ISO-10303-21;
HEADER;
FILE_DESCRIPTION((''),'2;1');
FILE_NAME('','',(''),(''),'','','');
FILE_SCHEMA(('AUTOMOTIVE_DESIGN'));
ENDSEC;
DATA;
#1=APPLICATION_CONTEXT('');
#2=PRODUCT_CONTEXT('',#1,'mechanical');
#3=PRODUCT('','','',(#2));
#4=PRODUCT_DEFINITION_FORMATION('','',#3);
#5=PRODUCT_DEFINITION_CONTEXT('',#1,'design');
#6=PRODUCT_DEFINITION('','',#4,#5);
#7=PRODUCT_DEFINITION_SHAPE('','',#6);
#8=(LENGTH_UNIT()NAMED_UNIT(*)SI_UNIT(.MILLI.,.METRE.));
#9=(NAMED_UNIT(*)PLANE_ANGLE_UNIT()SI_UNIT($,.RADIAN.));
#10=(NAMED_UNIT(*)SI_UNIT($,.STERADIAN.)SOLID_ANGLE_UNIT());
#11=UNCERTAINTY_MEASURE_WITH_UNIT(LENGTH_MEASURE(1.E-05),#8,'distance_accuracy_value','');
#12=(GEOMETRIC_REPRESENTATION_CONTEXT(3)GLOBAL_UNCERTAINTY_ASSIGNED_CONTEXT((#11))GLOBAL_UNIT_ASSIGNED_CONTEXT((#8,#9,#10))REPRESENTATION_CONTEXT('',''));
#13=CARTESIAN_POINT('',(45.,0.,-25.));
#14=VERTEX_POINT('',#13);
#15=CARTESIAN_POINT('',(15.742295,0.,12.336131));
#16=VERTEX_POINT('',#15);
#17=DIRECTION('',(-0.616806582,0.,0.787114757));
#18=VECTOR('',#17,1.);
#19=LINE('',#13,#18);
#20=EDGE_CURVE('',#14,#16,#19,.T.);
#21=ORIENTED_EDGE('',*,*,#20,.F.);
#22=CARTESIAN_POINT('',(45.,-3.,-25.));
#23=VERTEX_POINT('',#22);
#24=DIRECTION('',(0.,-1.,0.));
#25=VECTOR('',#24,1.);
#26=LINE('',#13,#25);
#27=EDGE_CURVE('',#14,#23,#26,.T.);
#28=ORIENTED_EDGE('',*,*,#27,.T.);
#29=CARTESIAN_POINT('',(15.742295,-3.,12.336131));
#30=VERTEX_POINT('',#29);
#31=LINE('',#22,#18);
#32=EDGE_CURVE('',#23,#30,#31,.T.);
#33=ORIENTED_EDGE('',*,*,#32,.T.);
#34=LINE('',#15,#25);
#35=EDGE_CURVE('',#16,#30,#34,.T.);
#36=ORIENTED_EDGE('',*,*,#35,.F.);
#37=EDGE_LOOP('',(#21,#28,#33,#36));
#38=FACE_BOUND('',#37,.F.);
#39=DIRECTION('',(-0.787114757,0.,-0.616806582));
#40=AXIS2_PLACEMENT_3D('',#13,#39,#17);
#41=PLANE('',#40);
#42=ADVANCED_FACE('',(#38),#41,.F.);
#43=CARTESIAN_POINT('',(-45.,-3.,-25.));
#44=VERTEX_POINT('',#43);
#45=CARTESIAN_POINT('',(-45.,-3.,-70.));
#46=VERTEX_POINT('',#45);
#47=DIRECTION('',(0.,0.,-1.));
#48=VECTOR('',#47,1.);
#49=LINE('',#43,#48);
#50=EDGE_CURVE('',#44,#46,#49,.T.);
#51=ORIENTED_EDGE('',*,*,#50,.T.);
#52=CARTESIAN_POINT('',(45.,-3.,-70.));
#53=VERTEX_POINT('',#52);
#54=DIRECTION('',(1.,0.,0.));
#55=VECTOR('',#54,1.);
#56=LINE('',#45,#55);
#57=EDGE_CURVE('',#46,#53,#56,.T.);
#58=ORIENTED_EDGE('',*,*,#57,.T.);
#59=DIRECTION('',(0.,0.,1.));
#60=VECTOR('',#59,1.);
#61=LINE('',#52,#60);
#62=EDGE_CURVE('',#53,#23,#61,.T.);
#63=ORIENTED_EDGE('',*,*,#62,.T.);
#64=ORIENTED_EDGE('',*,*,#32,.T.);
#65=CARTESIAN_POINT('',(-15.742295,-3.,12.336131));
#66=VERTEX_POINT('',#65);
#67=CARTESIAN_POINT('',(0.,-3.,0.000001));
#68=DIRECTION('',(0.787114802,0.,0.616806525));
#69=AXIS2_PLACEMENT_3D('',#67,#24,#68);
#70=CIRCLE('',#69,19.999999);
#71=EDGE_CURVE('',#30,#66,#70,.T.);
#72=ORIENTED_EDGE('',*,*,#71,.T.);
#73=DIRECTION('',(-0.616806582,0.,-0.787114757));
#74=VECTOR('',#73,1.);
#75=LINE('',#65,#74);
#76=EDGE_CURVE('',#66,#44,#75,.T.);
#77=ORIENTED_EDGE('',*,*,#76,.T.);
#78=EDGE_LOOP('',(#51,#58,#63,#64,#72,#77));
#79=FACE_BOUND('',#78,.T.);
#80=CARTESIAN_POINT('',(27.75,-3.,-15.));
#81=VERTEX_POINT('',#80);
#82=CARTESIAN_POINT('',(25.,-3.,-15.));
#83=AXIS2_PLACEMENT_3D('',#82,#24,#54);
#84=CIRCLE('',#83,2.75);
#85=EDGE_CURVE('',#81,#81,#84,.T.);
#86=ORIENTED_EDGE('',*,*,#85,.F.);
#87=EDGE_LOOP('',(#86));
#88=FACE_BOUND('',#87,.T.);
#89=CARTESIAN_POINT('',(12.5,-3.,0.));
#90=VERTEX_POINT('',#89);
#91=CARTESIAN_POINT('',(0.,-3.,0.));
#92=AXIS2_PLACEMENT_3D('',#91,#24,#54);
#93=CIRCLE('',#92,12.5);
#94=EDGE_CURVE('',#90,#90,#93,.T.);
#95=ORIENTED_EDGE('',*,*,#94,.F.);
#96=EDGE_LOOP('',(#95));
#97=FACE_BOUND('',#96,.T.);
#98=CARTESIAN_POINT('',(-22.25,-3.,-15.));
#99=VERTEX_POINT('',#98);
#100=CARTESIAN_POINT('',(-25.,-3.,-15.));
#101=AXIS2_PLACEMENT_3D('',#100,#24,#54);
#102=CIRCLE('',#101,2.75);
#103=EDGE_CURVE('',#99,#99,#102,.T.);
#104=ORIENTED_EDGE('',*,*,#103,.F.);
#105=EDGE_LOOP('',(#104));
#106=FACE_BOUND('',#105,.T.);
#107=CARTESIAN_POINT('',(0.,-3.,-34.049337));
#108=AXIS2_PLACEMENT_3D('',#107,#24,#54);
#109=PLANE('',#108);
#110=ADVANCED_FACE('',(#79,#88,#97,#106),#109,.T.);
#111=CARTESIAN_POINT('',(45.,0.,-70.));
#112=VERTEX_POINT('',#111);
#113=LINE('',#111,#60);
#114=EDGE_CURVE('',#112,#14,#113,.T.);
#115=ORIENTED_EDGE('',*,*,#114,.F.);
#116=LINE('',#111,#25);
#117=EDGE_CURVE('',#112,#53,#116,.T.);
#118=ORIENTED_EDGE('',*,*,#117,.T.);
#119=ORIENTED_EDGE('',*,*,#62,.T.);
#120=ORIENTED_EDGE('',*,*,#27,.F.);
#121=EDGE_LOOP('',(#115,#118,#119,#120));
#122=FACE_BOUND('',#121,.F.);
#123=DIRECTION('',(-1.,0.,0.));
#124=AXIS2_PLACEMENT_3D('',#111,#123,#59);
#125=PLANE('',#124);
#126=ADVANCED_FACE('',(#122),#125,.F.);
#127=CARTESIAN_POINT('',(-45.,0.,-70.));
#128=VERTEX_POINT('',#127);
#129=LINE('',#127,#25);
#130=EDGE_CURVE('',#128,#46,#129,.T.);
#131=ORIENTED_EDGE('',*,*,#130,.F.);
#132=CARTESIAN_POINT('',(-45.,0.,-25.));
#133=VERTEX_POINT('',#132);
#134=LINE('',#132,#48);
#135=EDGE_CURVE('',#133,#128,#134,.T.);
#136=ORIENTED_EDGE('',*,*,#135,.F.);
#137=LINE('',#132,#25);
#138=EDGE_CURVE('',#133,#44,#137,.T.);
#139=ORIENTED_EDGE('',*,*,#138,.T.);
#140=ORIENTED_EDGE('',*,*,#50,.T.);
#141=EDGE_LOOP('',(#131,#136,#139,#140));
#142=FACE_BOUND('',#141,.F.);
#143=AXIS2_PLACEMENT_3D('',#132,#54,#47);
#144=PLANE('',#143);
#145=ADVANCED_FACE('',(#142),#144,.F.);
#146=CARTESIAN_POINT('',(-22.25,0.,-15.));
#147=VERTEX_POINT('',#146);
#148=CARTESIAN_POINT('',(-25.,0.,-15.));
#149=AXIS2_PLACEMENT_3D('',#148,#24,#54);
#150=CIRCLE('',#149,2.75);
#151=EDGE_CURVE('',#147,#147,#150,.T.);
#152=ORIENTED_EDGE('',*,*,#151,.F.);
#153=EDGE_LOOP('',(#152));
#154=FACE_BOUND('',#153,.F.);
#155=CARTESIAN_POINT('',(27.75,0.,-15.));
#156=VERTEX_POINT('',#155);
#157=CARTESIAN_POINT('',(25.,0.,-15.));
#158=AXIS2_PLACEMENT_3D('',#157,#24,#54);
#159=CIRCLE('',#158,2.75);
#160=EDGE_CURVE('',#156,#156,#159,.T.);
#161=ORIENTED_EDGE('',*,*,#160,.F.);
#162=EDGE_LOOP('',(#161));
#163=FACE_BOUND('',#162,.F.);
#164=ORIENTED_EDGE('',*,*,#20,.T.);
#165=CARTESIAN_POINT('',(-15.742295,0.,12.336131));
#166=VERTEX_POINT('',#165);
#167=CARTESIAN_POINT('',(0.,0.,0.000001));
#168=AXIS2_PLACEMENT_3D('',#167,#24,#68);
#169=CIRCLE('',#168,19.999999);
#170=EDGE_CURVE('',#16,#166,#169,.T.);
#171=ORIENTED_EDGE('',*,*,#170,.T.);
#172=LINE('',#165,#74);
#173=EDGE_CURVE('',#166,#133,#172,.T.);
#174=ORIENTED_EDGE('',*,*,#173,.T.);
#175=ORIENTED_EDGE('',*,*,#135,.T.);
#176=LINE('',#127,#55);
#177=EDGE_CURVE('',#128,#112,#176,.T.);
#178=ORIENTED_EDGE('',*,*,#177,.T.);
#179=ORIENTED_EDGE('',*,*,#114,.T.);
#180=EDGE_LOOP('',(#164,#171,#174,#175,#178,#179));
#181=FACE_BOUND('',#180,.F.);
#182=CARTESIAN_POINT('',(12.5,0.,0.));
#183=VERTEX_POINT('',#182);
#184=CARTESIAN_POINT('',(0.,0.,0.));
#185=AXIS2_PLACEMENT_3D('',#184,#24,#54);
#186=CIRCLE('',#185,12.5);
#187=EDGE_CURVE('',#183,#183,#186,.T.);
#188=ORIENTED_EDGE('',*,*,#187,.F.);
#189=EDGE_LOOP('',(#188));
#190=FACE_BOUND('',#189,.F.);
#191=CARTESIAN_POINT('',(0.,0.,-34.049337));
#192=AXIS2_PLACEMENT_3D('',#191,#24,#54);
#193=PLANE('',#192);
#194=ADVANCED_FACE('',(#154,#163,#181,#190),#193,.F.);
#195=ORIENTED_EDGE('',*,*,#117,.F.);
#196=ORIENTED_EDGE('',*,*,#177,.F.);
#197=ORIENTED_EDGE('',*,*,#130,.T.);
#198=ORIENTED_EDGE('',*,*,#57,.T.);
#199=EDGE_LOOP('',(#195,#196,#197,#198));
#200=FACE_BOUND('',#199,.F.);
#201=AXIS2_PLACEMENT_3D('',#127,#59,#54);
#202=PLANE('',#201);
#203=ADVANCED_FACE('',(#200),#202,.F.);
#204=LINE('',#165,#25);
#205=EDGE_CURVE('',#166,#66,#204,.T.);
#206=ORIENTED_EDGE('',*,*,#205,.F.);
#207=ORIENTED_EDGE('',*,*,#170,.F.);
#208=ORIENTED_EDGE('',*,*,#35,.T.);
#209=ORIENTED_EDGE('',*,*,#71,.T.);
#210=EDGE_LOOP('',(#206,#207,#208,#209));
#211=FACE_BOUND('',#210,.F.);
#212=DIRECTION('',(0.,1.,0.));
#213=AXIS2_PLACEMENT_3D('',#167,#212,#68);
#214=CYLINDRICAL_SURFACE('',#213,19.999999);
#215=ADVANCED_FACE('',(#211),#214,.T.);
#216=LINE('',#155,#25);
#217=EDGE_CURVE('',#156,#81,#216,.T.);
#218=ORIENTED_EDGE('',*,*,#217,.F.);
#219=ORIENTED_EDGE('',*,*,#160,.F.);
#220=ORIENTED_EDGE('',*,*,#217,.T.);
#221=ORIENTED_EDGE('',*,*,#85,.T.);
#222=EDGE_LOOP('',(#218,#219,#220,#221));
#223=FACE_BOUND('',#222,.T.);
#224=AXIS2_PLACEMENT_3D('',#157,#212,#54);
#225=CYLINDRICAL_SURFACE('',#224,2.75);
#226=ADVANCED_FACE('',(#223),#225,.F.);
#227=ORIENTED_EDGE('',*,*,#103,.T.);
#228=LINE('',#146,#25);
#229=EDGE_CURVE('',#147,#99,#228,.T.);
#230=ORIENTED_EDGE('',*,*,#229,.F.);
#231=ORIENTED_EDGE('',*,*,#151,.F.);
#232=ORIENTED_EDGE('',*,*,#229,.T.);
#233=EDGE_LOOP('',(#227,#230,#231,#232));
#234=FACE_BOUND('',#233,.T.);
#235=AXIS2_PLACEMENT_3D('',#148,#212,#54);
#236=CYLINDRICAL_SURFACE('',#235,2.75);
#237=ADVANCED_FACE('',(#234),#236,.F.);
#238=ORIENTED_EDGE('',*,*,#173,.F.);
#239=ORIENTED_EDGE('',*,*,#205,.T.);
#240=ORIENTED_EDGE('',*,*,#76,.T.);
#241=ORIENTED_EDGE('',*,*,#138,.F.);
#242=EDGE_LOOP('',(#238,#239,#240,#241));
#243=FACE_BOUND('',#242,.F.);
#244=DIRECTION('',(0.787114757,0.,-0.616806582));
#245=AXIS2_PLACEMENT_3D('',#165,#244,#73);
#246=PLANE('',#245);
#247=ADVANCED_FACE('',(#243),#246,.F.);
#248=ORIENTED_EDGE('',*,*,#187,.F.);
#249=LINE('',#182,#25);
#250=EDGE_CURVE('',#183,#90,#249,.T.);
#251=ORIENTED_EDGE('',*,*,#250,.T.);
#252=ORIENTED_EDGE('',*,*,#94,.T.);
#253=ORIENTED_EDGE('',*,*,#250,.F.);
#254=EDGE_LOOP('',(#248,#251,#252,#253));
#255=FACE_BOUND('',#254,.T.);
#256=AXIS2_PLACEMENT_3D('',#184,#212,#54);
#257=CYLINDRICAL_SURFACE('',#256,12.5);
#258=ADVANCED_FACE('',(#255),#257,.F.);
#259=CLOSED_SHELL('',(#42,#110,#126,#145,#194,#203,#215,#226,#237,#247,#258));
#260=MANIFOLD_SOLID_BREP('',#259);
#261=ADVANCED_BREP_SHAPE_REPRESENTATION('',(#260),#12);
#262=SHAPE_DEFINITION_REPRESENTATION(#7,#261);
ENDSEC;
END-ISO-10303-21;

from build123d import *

# Parameters (mm, degrees)
F0_R     = 2.75
F0_R_2   = 12.5
F1_DEPTH = 3


with BuildPart() as f1:
    # F0 (on Front) → F1 (new body)
    with BuildSketch(Plane.XZ):
        with BuildLine():
            Line((45, -25), (15.742295, 12.336131))
            ThreePointArc((15.742295, 12.336131), (0, 20), (-15.742295, 12.336131))
            Line((-15.742295, 12.336131), (-45, -25))
            Line((-45, -25), (-45, -70))
            Line((-45, -70), (45, -70))
            Line((45, -70), (45, -25))
        make_face()
        with Locations((-25, -15)):
            Circle(F0_R, mode=Mode.SUBTRACT)
        with Locations((25, -15)):
            Circle(F0_R, mode=Mode.SUBTRACT)
        Circle(F0_R_2, mode=Mode.SUBTRACT)
    extrude(amount=F1_DEPTH)


solid = f1.part
